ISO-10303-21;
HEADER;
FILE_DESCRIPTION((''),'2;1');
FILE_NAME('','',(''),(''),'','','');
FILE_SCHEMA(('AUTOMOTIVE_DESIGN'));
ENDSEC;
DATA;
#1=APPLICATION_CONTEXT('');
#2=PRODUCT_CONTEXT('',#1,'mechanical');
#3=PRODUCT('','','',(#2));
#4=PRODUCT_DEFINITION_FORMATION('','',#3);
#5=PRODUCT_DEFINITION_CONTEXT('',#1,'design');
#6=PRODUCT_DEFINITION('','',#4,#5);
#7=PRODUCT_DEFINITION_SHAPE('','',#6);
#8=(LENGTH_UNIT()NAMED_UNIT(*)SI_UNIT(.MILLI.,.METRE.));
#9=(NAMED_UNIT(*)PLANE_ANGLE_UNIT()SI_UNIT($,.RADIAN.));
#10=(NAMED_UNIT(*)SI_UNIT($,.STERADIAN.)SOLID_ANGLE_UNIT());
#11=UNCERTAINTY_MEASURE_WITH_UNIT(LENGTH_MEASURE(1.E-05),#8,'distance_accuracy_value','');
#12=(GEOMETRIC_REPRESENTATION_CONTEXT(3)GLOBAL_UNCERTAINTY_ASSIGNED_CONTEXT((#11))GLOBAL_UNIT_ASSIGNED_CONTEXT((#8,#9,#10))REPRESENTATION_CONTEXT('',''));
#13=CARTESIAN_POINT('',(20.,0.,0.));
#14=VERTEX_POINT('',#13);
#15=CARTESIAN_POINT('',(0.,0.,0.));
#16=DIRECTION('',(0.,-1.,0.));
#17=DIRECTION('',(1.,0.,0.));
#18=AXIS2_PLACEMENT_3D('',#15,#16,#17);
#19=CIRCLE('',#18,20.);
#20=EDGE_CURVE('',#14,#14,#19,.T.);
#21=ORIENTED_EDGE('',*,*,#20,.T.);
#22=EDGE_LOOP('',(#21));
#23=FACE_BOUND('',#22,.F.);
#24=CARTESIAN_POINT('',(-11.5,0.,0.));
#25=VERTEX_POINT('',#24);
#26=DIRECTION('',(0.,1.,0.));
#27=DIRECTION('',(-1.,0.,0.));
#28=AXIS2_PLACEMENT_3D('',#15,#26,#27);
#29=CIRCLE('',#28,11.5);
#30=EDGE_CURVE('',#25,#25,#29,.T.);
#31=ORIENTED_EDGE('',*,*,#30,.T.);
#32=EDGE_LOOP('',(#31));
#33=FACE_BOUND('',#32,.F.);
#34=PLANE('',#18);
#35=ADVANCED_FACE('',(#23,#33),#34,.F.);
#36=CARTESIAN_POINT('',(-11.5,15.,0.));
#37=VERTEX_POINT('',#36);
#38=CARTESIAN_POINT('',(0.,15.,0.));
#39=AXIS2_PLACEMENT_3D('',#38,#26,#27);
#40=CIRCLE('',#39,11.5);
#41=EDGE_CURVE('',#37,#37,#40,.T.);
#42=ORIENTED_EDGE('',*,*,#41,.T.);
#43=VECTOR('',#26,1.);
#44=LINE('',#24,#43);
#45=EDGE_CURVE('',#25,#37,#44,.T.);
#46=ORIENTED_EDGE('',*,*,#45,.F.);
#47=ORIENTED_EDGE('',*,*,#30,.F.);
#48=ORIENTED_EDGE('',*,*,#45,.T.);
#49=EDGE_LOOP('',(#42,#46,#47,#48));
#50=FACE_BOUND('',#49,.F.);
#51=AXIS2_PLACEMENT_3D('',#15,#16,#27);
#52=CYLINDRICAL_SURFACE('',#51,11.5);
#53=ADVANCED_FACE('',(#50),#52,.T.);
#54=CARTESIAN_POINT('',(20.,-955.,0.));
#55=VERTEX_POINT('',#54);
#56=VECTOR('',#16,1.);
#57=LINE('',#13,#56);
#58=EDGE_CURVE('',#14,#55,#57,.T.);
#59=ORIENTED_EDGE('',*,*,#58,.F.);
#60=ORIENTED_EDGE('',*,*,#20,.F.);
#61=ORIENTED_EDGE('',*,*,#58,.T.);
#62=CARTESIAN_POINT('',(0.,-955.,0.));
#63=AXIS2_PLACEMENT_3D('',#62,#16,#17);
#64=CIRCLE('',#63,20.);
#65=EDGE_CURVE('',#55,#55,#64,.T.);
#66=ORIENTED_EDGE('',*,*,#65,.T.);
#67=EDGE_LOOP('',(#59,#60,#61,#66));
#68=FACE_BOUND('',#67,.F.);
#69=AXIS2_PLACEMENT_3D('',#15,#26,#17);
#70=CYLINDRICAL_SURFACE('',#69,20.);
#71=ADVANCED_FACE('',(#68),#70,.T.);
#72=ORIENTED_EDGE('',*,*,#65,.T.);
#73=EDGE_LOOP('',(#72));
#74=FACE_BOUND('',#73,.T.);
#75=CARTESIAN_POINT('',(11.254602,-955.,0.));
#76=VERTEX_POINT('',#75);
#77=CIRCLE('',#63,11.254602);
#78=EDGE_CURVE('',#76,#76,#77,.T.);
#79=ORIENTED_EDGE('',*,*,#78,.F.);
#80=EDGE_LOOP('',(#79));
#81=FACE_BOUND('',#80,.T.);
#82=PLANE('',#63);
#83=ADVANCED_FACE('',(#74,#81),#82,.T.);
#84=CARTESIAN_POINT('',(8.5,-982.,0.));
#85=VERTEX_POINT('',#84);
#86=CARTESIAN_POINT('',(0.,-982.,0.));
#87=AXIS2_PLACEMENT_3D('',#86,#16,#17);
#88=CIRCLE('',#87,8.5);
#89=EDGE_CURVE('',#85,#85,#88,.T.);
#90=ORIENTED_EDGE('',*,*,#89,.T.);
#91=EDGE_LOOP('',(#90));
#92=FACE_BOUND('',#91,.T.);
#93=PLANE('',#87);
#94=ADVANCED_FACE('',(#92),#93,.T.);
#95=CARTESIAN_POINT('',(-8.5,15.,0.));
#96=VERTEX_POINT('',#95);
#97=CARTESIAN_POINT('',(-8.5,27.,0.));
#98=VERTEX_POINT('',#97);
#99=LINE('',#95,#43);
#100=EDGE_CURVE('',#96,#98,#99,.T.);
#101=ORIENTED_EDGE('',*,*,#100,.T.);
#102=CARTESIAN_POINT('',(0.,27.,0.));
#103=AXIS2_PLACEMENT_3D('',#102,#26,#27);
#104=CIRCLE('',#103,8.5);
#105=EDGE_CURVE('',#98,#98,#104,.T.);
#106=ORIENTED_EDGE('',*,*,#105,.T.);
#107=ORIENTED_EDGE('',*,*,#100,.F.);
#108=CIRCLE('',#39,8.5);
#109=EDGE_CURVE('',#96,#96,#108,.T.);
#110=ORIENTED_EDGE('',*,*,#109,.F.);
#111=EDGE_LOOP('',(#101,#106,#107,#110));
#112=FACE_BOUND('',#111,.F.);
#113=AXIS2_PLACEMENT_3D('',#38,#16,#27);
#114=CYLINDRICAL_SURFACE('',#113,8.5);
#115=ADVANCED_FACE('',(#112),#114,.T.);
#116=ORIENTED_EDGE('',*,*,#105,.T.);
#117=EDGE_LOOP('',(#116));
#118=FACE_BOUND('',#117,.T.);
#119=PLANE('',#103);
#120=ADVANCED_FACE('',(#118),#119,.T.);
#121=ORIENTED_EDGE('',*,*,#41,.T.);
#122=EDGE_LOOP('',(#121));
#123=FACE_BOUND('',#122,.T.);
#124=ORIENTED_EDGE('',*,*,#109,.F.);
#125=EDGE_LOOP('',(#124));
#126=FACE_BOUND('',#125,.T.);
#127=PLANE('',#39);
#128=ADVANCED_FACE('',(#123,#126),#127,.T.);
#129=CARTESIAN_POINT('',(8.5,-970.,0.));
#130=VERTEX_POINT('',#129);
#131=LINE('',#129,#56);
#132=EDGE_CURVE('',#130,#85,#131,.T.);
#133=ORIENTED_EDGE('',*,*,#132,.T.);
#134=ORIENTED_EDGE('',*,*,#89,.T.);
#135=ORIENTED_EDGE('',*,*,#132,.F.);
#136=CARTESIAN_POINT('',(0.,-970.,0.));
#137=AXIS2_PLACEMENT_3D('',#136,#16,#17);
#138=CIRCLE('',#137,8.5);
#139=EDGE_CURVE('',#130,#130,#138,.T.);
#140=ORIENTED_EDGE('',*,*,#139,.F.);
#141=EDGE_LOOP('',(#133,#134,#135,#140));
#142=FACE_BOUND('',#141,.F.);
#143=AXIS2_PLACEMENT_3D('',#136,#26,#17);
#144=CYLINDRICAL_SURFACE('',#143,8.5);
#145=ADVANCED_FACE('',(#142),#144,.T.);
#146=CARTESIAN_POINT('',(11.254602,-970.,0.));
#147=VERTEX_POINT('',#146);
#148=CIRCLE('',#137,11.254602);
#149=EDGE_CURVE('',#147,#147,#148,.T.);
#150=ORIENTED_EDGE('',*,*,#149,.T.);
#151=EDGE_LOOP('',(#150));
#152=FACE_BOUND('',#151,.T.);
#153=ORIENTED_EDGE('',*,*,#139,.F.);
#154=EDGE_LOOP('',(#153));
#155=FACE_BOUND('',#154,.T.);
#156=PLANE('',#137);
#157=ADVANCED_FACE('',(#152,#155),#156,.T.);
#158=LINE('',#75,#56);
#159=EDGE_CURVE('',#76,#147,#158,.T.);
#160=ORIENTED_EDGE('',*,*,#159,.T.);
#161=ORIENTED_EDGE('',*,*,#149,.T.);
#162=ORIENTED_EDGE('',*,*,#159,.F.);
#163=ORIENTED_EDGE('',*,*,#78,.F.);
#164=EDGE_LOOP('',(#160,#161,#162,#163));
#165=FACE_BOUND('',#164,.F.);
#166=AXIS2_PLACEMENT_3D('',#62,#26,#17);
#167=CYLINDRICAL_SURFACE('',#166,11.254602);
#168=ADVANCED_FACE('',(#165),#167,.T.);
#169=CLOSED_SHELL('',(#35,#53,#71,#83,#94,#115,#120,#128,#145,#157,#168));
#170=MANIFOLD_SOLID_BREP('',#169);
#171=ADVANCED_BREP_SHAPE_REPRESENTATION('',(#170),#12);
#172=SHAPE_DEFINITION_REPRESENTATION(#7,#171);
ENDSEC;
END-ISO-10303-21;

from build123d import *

# Parameters (mm, degrees)
F0_R     = 20
F1_DEPTH = 955
F2_R     = 11.254602
F3_DEPTH = 15
F4_R     = 11.5
F5_DEPTH = 15
F6_R     = 8.5
F7_DEPTH = 12
F8_R     = 8.5
F9_DEPTH = 12


with BuildPart() as f1:
    # F0 (on Front) → F1 (new body)
    with BuildSketch(Plane.XZ):
        Circle(F0_R)
    extrude(amount=F1_DEPTH)

    # F2 (on face) → F3 (join)
    with BuildSketch(Plane.XZ.offset(955)):
        Circle(F2_R)
    extrude(amount=F3_DEPTH)

    # F4 (on face) → F5 (join)
    with BuildSketch(Plane(origin=(0, 0, 0), x_dir=(-1, 0, 0), z_dir=(0, 1, 0))):
        Circle(F4_R)
    extrude(amount=F5_DEPTH)

    # F6 (on face) → F7 (join)
    with BuildSketch(Plane.XZ.offset(970)):
        Circle(F6_R)
    extrude(amount=F7_DEPTH)

    # F8 (on face) → F9 (join)
    with BuildSketch(Plane(origin=(0, 15, 0), x_dir=(-1, 0, 0), z_dir=(0, 1, 0))):
        Circle(F8_R)
    extrude(amount=F9_DEPTH)


solid = f1.part
